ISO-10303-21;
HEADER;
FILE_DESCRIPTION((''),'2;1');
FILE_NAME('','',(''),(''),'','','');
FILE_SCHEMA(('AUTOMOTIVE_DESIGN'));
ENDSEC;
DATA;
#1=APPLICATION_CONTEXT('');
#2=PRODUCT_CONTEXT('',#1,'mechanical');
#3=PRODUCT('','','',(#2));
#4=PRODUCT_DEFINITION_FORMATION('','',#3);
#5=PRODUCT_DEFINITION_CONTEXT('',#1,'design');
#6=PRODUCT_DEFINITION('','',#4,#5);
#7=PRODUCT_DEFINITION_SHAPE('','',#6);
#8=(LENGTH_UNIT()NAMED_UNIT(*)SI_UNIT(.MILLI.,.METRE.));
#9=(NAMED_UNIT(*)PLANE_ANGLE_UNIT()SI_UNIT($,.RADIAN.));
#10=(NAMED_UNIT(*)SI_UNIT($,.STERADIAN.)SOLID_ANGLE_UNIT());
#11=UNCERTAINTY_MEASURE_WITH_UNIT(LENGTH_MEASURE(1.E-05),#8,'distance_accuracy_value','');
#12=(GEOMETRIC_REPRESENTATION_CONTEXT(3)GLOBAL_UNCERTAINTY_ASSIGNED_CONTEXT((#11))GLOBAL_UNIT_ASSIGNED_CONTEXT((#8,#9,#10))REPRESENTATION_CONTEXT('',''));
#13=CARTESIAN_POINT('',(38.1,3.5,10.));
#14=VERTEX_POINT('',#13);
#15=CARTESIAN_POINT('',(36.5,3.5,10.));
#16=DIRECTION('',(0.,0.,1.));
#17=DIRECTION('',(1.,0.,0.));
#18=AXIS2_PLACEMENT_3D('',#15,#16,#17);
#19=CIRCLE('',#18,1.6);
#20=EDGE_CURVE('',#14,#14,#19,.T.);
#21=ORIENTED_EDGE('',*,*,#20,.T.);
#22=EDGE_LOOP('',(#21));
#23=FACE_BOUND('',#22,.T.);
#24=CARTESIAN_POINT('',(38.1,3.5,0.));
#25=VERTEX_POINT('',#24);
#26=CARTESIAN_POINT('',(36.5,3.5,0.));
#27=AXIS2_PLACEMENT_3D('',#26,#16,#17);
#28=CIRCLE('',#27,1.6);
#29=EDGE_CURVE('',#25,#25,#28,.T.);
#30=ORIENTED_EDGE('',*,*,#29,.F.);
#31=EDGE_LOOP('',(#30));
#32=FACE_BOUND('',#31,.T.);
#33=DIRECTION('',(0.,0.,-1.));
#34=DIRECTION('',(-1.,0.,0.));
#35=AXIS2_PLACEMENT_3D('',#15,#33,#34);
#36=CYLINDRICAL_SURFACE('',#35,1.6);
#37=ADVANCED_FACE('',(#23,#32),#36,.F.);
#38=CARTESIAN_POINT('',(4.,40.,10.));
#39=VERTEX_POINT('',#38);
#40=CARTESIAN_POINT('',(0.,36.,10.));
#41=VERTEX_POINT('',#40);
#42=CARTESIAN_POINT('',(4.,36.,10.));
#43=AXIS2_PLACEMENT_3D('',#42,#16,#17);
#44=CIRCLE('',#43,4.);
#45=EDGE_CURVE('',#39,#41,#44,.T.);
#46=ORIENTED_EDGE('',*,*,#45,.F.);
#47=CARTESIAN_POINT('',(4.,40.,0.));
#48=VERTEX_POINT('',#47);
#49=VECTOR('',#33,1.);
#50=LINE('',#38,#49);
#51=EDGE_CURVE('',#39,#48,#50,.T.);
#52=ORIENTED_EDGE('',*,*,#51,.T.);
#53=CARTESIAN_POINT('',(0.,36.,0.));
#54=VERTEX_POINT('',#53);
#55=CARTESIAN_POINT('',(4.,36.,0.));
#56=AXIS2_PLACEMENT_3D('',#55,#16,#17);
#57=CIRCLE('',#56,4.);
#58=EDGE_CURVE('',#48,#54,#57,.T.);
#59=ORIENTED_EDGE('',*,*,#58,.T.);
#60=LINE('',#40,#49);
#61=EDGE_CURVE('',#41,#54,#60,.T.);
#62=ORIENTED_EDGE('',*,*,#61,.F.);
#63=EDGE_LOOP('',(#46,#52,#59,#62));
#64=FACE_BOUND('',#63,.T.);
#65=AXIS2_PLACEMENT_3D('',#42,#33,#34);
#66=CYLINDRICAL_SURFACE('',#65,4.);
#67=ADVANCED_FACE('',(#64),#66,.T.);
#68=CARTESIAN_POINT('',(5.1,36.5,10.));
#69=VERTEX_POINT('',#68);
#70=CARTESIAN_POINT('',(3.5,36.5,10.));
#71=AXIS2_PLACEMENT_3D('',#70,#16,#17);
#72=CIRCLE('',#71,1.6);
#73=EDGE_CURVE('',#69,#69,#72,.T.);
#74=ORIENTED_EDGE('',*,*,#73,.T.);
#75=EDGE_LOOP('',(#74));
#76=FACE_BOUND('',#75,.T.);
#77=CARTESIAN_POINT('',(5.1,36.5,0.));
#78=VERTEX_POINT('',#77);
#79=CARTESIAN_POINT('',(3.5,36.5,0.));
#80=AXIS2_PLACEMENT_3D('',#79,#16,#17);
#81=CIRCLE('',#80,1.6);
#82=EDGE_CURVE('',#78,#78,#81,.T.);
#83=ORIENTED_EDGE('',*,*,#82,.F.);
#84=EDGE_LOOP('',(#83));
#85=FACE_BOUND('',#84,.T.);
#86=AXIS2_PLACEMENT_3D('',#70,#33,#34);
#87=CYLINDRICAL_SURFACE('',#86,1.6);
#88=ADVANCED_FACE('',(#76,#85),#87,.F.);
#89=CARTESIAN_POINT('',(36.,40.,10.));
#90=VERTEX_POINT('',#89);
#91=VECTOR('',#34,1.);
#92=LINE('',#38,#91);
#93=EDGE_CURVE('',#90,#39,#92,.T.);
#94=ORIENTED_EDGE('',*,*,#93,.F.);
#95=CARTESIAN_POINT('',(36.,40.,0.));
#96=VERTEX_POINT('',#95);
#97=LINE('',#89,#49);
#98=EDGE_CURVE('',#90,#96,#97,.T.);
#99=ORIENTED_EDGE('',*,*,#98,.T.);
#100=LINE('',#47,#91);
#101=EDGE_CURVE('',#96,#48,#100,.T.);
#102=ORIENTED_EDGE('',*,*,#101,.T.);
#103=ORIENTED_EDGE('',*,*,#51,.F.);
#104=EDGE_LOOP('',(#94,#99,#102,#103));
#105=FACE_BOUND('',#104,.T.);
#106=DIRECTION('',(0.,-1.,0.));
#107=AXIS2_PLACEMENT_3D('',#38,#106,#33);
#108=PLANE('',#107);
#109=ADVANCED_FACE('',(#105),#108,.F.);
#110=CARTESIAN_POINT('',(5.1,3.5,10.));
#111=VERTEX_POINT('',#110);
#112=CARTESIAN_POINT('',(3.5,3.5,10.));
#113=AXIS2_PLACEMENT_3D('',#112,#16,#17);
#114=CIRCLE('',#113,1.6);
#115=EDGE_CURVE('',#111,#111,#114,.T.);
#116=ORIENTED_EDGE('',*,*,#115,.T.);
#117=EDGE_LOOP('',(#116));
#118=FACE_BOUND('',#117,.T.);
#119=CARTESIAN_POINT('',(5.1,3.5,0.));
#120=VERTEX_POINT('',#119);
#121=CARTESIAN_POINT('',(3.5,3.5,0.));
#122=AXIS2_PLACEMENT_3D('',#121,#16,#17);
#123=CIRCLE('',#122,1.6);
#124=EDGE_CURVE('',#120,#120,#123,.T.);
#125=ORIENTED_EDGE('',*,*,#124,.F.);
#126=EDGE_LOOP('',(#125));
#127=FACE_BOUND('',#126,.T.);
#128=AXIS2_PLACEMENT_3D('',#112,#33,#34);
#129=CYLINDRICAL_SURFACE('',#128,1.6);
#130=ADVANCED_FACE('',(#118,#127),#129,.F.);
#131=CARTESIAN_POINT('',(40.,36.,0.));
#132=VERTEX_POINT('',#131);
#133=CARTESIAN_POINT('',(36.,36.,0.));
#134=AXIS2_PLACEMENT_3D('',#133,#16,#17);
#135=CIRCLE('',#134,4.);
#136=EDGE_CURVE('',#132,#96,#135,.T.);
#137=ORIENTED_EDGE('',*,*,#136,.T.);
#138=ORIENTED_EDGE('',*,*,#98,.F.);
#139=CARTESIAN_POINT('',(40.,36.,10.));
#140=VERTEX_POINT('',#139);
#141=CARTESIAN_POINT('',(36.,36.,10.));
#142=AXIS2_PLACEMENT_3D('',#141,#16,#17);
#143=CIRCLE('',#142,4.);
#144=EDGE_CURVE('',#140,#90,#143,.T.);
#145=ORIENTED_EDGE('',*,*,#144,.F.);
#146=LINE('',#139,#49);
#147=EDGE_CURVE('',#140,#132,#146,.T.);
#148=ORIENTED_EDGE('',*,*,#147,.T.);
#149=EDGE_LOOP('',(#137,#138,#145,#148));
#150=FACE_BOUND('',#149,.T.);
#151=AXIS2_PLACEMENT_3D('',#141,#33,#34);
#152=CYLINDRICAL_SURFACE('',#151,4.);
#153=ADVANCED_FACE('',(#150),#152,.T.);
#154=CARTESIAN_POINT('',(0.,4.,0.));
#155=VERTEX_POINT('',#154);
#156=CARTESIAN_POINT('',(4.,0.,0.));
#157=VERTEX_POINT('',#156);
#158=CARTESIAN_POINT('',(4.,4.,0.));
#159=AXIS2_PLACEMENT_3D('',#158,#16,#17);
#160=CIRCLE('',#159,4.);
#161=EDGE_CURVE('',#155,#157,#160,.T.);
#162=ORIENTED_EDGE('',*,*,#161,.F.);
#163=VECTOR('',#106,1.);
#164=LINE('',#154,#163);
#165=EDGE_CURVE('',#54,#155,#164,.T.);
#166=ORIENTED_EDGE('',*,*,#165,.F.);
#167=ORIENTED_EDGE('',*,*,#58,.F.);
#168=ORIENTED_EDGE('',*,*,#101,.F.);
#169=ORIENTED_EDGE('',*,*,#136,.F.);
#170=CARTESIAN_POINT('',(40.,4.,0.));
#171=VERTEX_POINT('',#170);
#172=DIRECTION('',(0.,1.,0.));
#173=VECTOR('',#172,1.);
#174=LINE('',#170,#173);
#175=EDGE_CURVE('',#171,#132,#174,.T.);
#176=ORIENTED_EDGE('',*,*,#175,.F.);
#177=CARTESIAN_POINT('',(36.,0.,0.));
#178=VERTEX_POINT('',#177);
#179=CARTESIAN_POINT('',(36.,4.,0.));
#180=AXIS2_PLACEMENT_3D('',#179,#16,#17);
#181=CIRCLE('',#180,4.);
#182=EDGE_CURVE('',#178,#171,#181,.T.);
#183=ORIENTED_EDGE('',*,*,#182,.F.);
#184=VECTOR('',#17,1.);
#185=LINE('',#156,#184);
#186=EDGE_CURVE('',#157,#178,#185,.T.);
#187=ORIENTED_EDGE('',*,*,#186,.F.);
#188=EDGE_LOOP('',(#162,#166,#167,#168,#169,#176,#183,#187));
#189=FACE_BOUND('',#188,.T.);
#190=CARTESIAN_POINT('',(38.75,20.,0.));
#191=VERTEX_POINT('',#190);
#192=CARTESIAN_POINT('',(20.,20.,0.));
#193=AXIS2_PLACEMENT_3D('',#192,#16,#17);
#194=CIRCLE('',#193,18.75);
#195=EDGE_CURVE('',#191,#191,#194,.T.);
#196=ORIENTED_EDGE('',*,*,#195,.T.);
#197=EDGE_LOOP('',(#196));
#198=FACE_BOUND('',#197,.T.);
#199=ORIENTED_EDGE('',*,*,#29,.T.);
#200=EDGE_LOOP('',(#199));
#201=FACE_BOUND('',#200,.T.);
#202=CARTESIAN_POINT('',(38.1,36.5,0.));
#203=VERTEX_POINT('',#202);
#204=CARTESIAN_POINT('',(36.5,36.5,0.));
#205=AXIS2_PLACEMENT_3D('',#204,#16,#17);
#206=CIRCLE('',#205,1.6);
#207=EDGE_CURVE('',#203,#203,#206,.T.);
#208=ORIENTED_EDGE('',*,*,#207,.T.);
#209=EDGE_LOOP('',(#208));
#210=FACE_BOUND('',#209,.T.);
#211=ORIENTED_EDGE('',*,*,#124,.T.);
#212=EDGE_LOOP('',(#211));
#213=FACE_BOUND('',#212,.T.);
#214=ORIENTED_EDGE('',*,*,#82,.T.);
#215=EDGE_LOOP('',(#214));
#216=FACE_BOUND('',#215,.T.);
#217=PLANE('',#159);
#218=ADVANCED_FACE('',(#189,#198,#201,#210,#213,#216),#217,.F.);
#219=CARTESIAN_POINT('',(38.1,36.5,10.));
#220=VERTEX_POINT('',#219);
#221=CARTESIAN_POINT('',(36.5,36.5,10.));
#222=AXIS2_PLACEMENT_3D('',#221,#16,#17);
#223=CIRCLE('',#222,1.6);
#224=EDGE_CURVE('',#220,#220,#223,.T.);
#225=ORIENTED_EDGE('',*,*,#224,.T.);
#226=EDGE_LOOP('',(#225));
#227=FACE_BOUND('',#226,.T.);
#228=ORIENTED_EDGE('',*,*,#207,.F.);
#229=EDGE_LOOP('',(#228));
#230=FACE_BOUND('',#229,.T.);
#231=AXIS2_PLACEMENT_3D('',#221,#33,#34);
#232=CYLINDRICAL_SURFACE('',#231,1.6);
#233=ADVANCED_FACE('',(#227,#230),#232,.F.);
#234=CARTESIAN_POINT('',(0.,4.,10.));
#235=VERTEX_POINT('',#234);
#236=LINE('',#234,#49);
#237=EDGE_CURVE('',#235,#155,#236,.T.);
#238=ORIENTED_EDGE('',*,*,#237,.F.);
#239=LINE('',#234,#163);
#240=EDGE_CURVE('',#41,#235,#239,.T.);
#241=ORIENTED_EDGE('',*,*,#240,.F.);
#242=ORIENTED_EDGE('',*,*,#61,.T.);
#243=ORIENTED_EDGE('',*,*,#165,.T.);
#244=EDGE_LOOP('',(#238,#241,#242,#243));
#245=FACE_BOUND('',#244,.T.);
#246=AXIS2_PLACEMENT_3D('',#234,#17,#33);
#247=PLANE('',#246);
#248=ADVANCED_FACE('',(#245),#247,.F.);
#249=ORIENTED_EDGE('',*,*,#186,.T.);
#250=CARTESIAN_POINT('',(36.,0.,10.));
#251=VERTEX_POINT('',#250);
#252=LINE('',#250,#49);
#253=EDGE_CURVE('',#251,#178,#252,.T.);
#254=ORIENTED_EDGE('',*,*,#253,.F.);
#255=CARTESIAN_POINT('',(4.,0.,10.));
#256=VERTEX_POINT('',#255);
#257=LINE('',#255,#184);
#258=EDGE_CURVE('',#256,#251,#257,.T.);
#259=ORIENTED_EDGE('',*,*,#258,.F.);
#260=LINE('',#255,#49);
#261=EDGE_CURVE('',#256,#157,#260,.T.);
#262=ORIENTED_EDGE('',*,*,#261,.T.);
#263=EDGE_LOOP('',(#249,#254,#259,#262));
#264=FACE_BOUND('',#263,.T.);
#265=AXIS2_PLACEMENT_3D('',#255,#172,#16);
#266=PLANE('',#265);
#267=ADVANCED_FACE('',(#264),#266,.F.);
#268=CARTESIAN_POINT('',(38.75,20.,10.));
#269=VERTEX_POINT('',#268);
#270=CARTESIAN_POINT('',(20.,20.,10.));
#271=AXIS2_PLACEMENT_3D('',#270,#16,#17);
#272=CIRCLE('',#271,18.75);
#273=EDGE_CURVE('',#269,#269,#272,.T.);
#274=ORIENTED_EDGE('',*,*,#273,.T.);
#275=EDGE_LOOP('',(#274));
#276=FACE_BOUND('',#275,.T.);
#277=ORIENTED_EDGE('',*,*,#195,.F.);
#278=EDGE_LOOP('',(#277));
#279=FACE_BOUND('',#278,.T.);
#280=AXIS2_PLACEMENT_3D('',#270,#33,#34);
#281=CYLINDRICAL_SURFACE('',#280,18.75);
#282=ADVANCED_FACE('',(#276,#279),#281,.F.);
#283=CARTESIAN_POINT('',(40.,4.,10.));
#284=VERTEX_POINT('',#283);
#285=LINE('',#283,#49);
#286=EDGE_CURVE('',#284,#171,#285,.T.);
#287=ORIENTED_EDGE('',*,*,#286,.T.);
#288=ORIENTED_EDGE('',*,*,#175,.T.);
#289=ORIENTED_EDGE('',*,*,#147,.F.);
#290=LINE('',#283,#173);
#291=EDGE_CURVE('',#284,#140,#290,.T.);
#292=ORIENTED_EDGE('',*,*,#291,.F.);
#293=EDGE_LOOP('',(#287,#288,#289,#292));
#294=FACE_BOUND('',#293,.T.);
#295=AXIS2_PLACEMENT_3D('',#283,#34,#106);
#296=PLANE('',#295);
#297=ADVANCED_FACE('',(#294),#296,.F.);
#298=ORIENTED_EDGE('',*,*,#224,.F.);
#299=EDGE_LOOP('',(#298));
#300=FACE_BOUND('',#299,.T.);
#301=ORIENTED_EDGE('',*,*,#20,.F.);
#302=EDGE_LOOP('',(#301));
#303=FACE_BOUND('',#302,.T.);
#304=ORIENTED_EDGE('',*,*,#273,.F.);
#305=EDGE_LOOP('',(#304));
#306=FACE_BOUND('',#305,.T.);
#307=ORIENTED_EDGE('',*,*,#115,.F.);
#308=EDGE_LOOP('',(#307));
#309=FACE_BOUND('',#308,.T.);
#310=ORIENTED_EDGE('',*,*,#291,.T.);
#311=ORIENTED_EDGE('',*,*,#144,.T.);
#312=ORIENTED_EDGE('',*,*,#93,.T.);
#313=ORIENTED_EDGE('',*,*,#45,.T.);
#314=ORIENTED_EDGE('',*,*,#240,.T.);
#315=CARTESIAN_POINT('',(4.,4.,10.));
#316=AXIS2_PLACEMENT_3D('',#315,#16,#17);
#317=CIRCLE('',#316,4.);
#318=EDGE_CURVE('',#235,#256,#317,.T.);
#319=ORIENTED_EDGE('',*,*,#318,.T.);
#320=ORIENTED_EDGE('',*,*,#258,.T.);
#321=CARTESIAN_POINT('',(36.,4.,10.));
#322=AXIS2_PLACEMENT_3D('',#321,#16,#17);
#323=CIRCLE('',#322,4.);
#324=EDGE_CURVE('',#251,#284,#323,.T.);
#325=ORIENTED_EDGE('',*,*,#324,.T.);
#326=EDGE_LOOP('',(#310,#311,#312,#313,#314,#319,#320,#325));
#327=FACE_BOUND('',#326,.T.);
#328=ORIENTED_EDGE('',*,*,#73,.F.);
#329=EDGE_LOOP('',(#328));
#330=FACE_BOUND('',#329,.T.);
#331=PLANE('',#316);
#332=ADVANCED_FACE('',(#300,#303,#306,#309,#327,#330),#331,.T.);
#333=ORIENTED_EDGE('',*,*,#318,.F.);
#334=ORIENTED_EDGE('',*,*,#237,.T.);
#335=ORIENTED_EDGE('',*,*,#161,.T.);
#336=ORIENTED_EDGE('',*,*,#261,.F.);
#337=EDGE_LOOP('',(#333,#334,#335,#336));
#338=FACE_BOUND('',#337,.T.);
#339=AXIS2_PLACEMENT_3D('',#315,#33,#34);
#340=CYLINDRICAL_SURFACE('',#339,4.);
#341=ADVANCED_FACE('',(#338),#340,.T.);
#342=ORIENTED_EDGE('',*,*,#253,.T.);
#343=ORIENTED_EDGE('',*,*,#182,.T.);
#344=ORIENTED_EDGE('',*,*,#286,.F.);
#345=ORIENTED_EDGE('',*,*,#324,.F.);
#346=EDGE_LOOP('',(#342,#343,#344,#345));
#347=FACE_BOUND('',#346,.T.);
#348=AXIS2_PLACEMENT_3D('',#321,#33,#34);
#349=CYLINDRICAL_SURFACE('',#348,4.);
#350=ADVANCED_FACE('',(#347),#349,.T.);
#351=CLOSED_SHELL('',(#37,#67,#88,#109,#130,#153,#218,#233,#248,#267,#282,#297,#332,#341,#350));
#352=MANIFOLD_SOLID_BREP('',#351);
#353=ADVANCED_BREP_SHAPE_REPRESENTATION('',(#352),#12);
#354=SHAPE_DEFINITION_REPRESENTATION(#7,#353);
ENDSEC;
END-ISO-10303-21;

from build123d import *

# Parameters (mm, degrees)
SKETCH_1_R      = 1.6
SKETCH_1_R_2    = 18.75
EXTRUDE_1_DEPTH = 10


with BuildPart() as part:
    # Эскиз1 → Бобышка-Вытянуть1 (new body)
    with BuildSketch(Plane.XY):
        with BuildLine():
            Line((4, 0), (36, 0))
            ThreePointArc((36, 0), (38.828427125, 1.171572875), (40, 4))
            Line((40, 4), (40, 36))
            ThreePointArc((40, 36), (38.828427125, 38.828427125), (36, 40))
            Line((36, 40), (4, 40))
            ThreePointArc((4, 40), (1.171572875, 38.828427125), (0, 36))
            Line((0, 36), (0, 4))
            ThreePointArc((0, 4), (1.171572875, 1.171572875), (4, 0))
        make_face()
        with Locations((3.5, 36.5)):
            Circle(SKETCH_1_R, mode=Mode.SUBTRACT)
        with Locations((36.5, 36.5)):
            Circle(SKETCH_1_R, mode=Mode.SUBTRACT)
        with Locations((36.5, 3.5)):
            Circle(SKETCH_1_R, mode=Mode.SUBTRACT)
        with Locations((3.5, 3.5)):
            Circle(SKETCH_1_R, mode=Mode.SUBTRACT)
        with Locations((20, 20)):
            Circle(SKETCH_1_R_2, mode=Mode.SUBTRACT)
    extrude(amount=EXTRUDE_1_DEPTH)


solid = part.part
